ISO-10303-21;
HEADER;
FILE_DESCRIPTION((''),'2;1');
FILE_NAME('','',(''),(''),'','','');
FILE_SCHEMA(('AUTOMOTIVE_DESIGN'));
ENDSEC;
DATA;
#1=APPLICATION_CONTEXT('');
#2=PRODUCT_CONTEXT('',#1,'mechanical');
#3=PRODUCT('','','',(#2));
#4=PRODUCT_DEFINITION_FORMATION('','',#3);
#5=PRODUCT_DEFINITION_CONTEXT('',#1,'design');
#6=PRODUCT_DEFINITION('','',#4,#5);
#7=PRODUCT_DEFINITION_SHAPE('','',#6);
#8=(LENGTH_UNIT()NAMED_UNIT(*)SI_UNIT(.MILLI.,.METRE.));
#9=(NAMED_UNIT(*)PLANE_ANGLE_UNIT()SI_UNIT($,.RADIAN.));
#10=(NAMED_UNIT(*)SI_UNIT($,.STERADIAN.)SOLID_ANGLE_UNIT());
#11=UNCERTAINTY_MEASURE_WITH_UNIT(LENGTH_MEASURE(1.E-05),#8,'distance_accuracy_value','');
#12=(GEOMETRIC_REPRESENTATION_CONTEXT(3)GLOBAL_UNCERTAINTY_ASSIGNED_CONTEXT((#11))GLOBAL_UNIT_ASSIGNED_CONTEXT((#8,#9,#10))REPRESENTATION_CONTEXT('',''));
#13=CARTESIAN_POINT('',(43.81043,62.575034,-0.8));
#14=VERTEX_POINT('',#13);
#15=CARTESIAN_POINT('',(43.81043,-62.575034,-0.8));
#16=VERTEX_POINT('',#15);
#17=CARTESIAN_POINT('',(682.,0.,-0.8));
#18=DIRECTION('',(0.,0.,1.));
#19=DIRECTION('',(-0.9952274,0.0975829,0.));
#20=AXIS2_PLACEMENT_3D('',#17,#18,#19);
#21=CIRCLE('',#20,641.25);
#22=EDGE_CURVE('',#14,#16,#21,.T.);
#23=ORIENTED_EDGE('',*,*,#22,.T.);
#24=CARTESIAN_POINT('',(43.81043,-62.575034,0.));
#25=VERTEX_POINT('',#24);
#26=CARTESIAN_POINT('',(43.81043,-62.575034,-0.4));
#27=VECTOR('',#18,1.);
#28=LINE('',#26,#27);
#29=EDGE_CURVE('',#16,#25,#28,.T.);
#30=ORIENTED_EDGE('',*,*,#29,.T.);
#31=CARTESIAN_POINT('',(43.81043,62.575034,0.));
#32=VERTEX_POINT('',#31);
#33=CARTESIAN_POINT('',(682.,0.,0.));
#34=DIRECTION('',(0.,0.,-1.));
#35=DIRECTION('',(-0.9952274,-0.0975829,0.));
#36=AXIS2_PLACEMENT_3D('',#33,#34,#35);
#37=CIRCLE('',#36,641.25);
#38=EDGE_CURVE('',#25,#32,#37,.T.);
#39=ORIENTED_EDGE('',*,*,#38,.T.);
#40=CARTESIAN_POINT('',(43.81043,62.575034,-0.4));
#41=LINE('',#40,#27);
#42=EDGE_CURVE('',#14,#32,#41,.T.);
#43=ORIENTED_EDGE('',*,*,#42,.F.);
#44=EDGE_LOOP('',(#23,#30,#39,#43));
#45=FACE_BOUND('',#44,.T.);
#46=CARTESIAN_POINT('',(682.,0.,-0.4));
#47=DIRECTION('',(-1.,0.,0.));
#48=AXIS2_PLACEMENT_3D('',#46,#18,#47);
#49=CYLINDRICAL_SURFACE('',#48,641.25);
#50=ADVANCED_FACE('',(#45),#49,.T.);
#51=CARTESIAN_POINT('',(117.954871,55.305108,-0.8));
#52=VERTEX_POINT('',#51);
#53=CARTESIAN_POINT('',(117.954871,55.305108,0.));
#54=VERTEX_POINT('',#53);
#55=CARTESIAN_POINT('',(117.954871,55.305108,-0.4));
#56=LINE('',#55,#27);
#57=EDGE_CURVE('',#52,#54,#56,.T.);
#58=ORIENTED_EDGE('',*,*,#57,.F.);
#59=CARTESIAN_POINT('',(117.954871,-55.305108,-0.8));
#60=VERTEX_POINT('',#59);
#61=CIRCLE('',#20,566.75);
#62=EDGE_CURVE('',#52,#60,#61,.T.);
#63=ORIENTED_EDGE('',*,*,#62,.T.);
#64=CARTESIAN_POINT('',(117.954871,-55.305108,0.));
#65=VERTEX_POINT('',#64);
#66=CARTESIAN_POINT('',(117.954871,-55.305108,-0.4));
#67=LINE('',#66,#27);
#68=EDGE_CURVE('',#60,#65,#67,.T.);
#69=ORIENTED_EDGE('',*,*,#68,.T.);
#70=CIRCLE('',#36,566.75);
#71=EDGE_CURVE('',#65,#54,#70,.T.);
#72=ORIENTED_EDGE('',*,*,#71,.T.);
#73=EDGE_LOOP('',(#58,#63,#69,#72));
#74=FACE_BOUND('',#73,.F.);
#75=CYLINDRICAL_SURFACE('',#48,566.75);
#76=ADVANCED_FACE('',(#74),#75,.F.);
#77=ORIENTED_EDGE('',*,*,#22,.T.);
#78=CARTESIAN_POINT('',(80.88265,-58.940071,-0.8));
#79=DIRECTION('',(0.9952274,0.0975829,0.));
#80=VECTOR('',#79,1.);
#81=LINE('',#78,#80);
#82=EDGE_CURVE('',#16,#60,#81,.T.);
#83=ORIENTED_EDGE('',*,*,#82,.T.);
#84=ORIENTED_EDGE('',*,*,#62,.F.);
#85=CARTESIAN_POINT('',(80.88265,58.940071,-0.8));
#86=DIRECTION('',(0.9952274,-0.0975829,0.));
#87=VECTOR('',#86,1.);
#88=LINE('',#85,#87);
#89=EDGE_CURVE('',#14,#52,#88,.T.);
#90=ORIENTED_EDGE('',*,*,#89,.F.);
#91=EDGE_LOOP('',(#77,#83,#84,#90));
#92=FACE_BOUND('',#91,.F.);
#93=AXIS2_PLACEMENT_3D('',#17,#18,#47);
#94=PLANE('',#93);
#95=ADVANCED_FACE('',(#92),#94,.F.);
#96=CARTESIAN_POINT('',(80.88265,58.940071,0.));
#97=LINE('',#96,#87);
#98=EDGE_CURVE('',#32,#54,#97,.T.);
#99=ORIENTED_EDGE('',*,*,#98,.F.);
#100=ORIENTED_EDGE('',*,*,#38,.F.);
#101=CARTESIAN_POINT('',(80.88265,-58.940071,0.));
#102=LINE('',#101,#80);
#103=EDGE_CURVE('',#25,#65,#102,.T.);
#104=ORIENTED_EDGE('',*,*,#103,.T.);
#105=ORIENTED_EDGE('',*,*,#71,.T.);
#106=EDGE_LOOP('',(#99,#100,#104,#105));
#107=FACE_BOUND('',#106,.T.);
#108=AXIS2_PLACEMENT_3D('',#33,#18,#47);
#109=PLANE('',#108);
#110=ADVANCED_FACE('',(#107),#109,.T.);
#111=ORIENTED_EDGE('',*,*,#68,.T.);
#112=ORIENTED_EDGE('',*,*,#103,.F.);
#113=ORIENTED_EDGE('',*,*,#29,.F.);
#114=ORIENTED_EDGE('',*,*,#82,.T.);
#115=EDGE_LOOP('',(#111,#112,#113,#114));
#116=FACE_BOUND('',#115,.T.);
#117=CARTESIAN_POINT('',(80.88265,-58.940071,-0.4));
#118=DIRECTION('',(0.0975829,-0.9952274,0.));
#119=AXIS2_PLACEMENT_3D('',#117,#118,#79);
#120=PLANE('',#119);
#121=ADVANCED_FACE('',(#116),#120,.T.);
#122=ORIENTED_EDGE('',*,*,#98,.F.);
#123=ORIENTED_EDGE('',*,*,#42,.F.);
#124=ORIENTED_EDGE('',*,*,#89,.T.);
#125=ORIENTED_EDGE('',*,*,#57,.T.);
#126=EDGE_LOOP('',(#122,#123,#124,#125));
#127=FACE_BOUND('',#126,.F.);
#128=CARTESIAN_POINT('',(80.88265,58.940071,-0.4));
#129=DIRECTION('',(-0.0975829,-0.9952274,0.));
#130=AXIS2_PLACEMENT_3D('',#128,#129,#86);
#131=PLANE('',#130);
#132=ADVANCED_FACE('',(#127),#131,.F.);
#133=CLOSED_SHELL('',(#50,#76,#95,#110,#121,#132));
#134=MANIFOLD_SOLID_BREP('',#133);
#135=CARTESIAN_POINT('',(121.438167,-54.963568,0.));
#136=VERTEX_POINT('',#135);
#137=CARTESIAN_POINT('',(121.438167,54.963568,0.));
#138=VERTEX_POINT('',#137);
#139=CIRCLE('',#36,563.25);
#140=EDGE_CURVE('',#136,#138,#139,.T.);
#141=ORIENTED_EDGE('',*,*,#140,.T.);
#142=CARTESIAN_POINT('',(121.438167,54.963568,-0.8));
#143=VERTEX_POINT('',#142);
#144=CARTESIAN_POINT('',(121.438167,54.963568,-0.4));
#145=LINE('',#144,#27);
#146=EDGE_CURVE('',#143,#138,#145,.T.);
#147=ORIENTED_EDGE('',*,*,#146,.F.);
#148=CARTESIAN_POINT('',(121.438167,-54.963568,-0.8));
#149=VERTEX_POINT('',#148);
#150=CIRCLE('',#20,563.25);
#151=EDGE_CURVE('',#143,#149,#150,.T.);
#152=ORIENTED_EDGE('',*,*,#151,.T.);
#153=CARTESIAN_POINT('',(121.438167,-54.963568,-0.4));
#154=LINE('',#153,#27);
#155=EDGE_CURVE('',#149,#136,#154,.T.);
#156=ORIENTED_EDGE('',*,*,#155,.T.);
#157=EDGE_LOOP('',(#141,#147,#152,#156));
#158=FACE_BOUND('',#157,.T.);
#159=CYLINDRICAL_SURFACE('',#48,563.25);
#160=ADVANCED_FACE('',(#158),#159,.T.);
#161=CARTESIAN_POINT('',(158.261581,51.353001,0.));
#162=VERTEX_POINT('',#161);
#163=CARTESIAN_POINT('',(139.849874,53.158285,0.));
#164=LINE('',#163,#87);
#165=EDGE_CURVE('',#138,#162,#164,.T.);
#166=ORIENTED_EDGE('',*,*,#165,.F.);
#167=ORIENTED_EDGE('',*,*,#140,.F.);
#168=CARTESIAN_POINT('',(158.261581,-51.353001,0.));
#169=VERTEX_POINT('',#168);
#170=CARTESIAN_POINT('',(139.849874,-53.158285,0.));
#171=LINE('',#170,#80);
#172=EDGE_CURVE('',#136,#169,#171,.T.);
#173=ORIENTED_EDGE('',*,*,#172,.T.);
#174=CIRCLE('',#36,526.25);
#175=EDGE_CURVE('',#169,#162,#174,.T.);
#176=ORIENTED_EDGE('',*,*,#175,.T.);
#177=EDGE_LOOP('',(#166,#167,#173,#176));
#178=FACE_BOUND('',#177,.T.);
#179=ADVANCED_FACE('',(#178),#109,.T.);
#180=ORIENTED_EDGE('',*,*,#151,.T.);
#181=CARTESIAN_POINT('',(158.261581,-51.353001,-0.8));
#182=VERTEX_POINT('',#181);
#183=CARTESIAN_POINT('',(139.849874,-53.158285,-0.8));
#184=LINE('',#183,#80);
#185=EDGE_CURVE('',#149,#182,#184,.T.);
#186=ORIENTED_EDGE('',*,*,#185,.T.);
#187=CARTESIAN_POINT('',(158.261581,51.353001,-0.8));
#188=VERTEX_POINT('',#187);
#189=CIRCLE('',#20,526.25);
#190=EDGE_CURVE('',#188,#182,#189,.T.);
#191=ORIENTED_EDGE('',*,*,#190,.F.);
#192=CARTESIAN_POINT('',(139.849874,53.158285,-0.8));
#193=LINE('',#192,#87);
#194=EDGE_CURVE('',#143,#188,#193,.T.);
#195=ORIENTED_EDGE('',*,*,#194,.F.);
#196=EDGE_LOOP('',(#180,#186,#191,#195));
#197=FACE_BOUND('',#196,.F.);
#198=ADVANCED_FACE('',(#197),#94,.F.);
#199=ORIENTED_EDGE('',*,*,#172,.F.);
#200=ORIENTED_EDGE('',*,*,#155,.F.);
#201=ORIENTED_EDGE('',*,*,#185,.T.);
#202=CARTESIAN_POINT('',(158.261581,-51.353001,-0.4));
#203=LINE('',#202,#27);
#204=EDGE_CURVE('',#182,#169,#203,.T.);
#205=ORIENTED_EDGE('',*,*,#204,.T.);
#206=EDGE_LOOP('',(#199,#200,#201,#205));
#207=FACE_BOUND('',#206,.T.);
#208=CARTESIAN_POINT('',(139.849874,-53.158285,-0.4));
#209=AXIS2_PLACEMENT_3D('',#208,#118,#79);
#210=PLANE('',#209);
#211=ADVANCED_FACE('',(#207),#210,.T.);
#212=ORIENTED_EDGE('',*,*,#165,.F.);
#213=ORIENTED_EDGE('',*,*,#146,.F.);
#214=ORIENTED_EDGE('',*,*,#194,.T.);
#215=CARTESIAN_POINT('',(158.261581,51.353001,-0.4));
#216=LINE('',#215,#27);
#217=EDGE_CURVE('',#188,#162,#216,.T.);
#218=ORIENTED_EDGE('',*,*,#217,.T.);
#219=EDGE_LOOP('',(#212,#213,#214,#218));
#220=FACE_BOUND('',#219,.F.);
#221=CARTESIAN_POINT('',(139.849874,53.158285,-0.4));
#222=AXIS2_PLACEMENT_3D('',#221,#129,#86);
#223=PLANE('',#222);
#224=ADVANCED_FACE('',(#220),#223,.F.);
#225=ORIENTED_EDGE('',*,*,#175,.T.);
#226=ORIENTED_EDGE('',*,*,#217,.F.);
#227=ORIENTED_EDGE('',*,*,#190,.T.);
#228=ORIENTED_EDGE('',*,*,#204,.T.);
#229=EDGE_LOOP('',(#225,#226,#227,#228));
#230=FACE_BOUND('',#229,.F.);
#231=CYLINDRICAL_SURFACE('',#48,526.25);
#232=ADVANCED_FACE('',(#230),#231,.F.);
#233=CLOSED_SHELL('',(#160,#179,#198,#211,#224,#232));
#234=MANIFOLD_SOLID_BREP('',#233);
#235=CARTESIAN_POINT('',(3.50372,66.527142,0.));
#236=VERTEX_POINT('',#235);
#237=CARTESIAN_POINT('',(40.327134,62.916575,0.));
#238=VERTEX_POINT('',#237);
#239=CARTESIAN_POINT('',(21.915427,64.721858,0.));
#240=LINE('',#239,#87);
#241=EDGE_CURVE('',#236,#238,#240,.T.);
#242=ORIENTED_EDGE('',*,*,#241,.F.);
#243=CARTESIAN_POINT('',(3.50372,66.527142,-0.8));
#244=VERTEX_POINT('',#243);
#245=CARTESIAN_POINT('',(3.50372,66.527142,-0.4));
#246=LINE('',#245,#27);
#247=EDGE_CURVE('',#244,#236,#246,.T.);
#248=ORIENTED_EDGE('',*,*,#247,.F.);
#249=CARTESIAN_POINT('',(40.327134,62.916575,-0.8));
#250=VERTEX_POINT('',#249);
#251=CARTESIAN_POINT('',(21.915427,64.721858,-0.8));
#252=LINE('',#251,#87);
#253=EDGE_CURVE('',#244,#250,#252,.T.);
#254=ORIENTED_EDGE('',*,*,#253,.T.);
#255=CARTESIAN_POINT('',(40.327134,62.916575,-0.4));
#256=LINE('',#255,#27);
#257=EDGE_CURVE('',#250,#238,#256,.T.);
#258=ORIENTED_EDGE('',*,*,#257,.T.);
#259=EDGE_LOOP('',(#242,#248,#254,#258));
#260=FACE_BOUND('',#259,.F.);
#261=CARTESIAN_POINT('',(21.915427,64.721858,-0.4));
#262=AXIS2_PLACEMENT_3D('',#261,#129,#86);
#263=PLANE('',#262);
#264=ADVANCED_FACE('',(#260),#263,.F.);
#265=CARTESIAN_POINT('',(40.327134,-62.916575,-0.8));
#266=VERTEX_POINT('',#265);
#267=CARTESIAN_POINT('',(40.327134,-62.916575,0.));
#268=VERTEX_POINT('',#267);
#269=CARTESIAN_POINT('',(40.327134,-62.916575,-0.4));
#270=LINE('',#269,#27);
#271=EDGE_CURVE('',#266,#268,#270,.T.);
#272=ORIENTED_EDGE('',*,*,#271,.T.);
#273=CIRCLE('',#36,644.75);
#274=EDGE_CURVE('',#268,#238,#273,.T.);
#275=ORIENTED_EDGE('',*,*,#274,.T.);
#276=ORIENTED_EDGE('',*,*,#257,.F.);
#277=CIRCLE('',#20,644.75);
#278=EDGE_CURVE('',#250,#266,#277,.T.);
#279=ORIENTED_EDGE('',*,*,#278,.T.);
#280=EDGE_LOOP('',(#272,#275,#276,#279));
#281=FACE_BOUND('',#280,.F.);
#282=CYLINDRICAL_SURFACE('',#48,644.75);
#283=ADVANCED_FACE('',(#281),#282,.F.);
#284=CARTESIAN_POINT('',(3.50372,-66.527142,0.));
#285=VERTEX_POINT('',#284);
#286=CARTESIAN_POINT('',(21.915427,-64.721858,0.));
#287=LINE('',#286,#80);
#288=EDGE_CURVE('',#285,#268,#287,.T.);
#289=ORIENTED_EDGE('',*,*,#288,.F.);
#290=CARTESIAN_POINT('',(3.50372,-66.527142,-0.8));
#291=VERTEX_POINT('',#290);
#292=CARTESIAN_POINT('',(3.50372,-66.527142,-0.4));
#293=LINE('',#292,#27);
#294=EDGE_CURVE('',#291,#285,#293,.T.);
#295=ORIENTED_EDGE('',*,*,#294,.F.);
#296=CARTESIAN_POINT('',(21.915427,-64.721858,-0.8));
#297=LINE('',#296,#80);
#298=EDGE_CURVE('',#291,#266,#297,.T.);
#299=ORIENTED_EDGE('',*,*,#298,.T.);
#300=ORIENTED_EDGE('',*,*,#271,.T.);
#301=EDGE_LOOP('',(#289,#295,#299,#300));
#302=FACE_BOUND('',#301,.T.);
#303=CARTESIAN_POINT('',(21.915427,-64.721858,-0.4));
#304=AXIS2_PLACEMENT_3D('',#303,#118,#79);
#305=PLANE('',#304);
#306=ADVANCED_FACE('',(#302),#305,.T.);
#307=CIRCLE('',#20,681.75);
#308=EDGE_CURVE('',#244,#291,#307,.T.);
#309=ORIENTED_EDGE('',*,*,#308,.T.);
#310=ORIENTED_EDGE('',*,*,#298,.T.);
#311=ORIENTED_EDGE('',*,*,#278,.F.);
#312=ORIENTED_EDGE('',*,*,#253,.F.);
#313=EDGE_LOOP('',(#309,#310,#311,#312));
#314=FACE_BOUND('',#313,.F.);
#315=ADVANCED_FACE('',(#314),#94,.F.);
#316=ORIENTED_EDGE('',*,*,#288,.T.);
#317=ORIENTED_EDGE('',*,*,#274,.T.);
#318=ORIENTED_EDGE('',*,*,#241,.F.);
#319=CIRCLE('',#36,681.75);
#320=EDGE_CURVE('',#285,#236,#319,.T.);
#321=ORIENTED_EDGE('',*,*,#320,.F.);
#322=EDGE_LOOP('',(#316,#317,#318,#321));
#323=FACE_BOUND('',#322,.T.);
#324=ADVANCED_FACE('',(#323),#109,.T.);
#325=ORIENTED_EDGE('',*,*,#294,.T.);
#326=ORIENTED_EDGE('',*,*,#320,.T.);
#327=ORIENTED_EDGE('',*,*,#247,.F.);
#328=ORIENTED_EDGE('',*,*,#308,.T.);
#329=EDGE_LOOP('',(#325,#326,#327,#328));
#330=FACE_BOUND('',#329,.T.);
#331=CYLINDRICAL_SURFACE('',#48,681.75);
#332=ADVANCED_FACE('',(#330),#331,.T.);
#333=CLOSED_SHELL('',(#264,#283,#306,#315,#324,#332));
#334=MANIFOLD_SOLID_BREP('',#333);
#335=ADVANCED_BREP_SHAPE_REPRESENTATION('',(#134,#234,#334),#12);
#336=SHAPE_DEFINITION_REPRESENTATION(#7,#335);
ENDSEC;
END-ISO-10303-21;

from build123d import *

# Parameters (mm, degrees)
F0_W     = 37
F0_H     = 0.8
F0_W_2   = 74.5
F1_ANGLE = 11.2


with BuildPart() as f1:
    # F0 (on Front) → F1 (revolve, symmetric)
    with BuildSketch(Plane.XZ) as f1_sk:
        with Locations((18.75, -0.4)):
            Rectangle(F0_W, F0_H)
        with Locations((78, -0.4)):
            Rectangle(F0_W_2, F0_H)
        with Locations((137.25, -0.4)):
            Rectangle(F0_W, F0_H)
    revolve(axis=Axis((682, 0, 6.529438), (0, 0, -1)), revolution_arc=F1_ANGLE / 2)
    revolve(f1_sk.sketch, axis=Axis((682, 0, 6.529438), (0, 0, 1)), revolution_arc=F1_ANGLE / 2)


solid = f1.part
